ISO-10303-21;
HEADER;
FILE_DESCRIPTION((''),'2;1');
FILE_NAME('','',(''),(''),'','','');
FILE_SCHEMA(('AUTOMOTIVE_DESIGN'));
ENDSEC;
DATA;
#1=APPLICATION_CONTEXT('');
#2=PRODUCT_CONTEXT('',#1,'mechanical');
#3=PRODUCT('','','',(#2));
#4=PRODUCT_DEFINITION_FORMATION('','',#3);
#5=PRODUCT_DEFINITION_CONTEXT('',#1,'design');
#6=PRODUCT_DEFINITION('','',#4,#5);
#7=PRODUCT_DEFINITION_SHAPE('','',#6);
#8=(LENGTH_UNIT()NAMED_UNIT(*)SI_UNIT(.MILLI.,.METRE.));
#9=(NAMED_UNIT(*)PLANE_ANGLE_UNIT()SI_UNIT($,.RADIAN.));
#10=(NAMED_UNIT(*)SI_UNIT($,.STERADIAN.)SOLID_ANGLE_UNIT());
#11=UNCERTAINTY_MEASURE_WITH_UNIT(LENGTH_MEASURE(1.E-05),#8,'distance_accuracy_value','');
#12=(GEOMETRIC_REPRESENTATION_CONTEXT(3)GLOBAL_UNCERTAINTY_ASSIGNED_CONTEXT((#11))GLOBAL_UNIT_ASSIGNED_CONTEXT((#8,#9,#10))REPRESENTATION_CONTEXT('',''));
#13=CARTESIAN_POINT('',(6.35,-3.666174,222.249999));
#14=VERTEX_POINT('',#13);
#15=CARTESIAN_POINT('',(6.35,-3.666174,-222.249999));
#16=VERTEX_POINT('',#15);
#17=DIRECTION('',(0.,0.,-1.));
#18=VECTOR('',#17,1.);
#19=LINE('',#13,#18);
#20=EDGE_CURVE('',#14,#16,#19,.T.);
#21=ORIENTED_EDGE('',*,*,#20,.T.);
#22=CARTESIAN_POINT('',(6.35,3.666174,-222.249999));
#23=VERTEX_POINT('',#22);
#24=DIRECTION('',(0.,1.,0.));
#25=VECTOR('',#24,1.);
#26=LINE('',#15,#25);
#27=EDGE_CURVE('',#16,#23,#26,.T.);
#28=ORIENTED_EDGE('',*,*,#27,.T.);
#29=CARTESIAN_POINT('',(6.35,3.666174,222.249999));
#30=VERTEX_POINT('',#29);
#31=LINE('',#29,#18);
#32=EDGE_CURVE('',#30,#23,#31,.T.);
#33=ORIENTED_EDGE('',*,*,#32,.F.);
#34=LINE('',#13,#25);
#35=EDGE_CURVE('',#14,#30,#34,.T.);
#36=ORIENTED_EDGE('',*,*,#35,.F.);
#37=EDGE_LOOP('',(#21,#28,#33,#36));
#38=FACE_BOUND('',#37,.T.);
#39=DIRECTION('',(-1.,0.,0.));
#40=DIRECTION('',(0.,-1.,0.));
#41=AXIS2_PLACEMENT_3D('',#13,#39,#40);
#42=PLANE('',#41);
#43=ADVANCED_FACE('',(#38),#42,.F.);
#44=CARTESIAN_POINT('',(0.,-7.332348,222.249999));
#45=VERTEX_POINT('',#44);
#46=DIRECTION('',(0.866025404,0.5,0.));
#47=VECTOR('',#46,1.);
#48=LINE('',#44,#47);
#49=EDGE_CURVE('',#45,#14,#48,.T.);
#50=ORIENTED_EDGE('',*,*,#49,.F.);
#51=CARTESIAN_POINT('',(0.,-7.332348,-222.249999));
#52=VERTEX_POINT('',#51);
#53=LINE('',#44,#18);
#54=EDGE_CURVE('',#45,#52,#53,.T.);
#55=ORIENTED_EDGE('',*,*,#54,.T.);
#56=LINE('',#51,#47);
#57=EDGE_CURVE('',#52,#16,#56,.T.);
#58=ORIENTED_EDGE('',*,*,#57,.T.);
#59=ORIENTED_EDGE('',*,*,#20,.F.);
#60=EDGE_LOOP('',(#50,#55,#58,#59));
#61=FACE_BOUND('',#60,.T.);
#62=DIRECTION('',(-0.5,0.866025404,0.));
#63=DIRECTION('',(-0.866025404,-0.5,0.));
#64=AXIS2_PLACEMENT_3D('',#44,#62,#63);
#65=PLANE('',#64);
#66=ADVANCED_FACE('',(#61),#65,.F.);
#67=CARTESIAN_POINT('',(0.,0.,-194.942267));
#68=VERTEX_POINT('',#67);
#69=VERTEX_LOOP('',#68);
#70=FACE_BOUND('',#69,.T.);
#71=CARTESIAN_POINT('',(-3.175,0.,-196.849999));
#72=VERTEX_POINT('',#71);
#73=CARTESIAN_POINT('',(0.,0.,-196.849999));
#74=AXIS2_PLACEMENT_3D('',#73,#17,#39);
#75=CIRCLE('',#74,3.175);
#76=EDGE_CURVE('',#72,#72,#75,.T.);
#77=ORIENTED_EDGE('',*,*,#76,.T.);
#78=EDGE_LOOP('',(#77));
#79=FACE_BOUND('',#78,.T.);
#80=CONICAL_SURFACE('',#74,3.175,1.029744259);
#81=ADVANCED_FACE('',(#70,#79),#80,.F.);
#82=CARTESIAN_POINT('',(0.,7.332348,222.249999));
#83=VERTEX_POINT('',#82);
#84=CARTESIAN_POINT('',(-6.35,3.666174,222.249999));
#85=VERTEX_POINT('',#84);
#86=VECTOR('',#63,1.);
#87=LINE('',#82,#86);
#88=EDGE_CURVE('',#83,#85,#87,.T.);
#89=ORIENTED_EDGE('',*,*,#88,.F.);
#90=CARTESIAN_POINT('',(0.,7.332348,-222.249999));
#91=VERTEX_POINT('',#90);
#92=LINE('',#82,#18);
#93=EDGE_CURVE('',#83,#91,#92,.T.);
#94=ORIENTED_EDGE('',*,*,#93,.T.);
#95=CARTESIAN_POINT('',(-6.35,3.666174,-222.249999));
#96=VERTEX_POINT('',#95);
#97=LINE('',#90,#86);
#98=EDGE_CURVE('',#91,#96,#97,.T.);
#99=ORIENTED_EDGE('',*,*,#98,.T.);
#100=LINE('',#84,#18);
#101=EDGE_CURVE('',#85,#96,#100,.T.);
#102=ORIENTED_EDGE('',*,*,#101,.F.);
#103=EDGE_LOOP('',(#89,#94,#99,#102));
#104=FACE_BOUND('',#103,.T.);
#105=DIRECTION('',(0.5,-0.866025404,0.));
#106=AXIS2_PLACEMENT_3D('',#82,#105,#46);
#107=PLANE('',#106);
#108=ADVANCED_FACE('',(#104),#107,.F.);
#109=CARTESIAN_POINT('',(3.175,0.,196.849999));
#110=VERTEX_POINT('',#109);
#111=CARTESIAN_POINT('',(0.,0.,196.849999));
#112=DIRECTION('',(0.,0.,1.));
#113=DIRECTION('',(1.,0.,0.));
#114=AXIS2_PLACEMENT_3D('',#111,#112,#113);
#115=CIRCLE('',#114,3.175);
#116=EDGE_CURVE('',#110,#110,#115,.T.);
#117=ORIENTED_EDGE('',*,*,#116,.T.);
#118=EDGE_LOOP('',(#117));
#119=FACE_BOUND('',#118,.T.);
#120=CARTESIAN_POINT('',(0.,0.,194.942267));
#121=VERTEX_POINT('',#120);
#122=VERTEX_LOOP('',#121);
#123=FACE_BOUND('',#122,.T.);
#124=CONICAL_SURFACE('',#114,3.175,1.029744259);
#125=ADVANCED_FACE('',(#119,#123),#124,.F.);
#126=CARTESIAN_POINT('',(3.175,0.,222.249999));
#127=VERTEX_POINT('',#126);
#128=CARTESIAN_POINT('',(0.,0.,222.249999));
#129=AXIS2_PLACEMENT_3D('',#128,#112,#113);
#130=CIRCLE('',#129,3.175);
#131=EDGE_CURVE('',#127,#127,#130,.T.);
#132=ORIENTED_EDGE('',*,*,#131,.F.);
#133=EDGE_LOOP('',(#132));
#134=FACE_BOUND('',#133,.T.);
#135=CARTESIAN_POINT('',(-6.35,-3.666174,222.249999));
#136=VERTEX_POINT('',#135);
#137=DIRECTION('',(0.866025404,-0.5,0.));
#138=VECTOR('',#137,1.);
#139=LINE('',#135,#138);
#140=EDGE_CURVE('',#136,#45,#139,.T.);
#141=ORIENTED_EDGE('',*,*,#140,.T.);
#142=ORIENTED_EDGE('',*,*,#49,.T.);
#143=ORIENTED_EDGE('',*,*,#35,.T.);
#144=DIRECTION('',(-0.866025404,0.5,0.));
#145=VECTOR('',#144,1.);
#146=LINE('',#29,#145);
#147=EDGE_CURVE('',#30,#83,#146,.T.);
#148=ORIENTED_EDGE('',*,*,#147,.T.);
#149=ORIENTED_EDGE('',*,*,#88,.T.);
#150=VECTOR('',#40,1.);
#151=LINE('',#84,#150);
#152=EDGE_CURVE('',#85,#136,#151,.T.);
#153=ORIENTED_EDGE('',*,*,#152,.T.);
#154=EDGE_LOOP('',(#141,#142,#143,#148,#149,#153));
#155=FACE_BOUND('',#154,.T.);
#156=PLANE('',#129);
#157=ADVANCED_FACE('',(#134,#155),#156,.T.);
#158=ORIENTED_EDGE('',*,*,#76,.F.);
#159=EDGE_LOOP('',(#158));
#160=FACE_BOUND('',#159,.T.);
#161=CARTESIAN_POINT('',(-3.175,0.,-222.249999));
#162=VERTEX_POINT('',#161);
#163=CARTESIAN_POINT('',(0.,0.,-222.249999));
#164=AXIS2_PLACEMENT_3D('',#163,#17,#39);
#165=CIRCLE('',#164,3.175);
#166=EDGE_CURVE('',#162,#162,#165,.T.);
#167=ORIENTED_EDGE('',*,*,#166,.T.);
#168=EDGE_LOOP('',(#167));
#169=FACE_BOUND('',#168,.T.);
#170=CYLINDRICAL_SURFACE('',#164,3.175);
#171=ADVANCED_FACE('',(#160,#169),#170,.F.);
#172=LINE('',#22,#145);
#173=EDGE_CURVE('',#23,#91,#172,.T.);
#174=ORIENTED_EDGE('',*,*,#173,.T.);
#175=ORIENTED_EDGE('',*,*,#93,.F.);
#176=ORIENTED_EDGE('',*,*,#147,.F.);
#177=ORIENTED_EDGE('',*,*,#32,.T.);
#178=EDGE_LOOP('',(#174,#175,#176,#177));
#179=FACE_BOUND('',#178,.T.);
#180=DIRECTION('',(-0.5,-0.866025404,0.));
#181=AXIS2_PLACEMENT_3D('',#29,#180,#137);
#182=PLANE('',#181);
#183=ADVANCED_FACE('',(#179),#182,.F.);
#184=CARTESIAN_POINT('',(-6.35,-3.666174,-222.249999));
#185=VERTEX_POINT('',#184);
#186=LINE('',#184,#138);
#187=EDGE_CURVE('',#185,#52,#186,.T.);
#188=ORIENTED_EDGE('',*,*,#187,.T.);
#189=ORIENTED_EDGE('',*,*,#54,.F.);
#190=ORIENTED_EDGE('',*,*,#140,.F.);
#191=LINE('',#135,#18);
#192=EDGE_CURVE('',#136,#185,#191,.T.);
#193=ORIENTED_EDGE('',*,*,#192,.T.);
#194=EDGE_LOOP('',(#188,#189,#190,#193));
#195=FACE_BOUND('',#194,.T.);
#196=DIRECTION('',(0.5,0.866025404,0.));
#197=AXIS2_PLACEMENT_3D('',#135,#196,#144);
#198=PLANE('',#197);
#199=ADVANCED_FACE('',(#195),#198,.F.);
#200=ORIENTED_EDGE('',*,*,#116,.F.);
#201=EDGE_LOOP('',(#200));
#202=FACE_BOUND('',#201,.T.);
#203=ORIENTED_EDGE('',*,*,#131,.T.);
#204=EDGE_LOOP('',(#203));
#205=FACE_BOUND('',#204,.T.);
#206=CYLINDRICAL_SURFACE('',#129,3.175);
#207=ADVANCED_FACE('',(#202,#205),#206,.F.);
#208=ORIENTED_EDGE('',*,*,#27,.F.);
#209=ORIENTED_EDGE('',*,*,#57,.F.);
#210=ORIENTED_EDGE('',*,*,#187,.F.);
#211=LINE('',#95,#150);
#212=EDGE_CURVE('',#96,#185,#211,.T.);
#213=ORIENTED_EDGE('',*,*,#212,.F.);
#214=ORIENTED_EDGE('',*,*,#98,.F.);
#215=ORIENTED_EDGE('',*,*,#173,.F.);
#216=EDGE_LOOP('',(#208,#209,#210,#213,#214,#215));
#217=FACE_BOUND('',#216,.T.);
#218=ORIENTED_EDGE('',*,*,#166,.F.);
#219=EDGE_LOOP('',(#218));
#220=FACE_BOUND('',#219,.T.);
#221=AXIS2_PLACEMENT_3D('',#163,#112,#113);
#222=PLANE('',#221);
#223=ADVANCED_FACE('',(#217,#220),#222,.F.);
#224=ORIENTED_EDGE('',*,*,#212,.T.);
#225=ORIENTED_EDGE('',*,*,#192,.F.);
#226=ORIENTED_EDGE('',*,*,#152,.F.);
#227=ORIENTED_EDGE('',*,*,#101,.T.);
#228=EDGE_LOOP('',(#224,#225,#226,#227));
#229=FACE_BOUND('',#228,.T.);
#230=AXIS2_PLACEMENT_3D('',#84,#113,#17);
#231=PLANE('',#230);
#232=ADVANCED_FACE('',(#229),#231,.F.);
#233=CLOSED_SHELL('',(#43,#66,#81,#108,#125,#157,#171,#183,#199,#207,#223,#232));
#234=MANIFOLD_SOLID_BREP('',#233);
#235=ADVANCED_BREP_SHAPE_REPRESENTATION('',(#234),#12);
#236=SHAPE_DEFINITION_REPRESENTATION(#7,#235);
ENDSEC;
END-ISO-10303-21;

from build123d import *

# Parameters (mm, degrees)
BOSS_EXTRUDE2_DEPTH             = 222.249999
BOSS_EXTRUDE2_DEPTH_BACK        = 222.249999
F_1_4_0_25_DIAMETER_HOLE1_D     = 6.35
F_1_4_0_25_DIAMETER_HOLE1_DEPTH = 25.4
F_1_4_0_25_DIAMETER_HOLE1_TIP   = 1.907732465
F_1_4_0_25_DIAMETER_HOLE2_D     = 6.35
F_1_4_0_25_DIAMETER_HOLE2_DEPTH = 25.4
F_1_4_0_25_DIAMETER_HOLE2_TIP   = 1.907732465


with BuildPart() as part:
    # Sketch3 → Boss-Extrude2 (new, two sides: drawn at the far end of the back side and taken through both)
    with BuildSketch(Plane.XY.offset(-BOSS_EXTRUDE2_DEPTH_BACK)):
        Polygon((-6.35, -3.666174209), (0, -7.332348419), (6.35, -3.666174209), (6.35, 3.666174209), (0, 7.332348419), (-6.35, 3.666174209), align=None)
    extrude(amount=BOSS_EXTRUDE2_DEPTH + BOSS_EXTRUDE2_DEPTH_BACK)

    # 1/4 (0.25) Diameter Hole1
    with Locations(Plane.XY.offset(222.249999492)):
        with Locations((0, 0)):
            Hole(F_1_4_0_25_DIAMETER_HOLE1_D / 2, depth=F_1_4_0_25_DIAMETER_HOLE1_DEPTH)
            with Locations((0, 0, -(F_1_4_0_25_DIAMETER_HOLE1_DEPTH + F_1_4_0_25_DIAMETER_HOLE1_TIP / 2))):  # 118° drill point
                Cone(0, F_1_4_0_25_DIAMETER_HOLE1_D / 2, F_1_4_0_25_DIAMETER_HOLE1_TIP, mode=Mode.SUBTRACT)

    # 1/4 (0.25) Diameter Hole2
    with Locations(Plane(origin=(0, 0, -222.249999492), x_dir=(-1, 0, 0), z_dir=(0, 0, -1))):
        with Locations((0, 0)):
            Hole(F_1_4_0_25_DIAMETER_HOLE2_D / 2, depth=F_1_4_0_25_DIAMETER_HOLE2_DEPTH)
            with Locations((0, 0, -(F_1_4_0_25_DIAMETER_HOLE2_DEPTH + F_1_4_0_25_DIAMETER_HOLE2_TIP / 2))):  # 118° drill point
                Cone(0, F_1_4_0_25_DIAMETER_HOLE2_D / 2, F_1_4_0_25_DIAMETER_HOLE2_TIP, mode=Mode.SUBTRACT)


solid = part.part
